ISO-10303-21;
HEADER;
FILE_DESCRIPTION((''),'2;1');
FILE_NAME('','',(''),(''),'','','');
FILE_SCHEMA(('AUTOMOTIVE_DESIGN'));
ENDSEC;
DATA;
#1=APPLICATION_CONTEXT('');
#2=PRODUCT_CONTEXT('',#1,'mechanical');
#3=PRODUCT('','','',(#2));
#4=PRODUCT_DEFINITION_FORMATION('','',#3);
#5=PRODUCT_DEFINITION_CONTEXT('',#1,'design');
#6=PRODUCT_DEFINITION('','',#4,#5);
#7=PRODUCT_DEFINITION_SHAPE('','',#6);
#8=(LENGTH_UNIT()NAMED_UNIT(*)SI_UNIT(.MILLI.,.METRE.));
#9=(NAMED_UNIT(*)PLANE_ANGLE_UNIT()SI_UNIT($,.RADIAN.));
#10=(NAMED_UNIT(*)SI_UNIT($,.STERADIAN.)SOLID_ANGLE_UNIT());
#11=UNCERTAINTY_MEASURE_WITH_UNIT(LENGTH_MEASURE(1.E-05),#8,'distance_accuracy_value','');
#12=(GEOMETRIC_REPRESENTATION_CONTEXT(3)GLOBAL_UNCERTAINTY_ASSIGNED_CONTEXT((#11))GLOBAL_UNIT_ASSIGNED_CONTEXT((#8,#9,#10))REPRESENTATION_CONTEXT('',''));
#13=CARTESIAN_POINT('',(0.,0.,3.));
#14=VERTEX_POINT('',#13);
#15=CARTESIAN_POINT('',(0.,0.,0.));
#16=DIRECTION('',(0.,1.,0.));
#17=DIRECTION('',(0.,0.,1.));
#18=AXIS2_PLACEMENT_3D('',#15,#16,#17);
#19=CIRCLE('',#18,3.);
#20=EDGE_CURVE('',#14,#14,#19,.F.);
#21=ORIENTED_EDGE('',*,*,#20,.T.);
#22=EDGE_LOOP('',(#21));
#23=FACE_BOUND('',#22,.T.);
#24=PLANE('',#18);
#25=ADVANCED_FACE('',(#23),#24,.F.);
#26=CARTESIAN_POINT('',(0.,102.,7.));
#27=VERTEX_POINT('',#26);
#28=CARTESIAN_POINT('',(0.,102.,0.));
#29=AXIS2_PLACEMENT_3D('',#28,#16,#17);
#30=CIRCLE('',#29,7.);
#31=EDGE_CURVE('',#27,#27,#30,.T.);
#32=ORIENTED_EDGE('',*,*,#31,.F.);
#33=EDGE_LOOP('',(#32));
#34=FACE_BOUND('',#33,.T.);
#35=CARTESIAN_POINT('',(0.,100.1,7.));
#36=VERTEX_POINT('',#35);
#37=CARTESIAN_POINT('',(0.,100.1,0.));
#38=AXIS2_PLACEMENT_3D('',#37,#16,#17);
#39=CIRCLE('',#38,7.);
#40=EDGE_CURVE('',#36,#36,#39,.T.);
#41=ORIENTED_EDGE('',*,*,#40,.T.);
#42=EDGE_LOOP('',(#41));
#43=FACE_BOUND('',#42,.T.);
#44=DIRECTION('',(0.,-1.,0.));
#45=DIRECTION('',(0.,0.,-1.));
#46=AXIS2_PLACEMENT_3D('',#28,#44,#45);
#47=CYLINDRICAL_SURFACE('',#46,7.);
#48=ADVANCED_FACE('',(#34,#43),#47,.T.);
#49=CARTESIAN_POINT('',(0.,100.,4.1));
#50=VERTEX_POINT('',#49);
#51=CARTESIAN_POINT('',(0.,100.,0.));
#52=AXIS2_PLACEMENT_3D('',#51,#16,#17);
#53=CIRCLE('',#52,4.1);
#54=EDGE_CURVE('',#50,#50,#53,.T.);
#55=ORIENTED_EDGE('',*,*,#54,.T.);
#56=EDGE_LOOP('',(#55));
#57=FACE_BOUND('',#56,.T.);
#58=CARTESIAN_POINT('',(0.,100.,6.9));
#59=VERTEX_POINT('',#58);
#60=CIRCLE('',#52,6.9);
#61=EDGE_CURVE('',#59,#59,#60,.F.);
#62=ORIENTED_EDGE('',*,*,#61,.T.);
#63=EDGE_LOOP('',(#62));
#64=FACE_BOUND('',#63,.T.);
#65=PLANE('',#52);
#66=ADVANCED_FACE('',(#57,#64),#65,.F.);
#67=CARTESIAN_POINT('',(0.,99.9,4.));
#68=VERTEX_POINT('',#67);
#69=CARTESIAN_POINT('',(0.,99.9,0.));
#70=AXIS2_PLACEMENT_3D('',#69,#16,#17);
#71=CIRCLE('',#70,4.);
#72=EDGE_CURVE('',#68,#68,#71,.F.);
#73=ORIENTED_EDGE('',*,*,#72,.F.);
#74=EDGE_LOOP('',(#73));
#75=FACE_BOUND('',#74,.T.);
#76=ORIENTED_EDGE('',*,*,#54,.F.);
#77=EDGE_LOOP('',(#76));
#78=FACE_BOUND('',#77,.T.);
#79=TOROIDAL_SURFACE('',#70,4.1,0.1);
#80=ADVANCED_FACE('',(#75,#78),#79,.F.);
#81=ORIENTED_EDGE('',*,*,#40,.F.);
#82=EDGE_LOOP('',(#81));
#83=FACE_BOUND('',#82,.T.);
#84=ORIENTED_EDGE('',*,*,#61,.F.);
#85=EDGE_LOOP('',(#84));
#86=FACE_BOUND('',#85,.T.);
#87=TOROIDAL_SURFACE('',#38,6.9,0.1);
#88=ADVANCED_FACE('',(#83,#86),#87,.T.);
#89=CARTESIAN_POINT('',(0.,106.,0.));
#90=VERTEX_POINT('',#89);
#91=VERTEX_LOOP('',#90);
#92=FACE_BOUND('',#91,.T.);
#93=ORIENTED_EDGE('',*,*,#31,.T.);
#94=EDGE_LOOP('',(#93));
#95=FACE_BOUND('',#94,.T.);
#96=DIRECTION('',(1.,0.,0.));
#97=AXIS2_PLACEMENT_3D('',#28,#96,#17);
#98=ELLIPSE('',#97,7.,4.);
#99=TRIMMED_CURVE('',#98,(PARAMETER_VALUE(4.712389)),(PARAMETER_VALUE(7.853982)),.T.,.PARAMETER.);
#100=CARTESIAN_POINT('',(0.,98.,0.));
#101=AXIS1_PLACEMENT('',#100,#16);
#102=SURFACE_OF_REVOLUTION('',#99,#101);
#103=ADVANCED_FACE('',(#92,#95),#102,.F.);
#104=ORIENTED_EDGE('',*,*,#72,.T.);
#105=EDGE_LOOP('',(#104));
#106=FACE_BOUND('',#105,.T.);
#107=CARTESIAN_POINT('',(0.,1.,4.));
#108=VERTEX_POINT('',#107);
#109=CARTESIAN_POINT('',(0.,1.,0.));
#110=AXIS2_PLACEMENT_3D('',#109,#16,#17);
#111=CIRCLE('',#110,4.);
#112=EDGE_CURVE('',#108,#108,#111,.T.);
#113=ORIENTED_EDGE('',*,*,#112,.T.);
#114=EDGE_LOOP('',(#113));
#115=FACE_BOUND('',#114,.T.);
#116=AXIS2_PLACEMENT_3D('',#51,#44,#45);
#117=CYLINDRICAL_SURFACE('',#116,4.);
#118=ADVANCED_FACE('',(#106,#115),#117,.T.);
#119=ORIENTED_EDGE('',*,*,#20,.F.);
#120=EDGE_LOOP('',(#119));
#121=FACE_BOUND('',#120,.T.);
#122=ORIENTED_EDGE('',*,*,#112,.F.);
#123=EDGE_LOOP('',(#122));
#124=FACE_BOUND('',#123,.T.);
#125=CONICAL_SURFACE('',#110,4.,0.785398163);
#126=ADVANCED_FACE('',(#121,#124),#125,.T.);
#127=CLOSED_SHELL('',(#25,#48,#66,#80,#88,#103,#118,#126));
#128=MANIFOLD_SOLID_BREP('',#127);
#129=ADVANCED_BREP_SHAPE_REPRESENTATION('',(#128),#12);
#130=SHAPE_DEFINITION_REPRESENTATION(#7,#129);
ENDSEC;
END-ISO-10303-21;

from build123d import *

# Parameters (mm, degrees)
SKETCH1_R           = 4
BOSS_EXTRUDE1_DEPTH = 100
SKETCH2_R           = 7
BOSS_EXTRUDE2_DEPTH = 2
DOME1_FACE_RADIUS   = 7
DOME1_HEIGHT        = 4
FILLET1_R           = 0.1
CHAMFER1_SIZE       = 1


with BuildPart() as part:
    # Sketch1 → Boss-Extrude1 (new body)
    with BuildSketch(Plane(origin=(0, 0, 0), x_dir=(1, 0, 0), z_dir=(0, 1, 0))):
        Circle(SKETCH1_R)
    extrude(amount=BOSS_EXTRUDE1_DEPTH)

    # Sketch2 → Boss-Extrude2 (add)
    with BuildSketch(Plane(origin=(0, 100, 0), x_dir=(1, 0, 0), z_dir=(0, 1, 0))):
        Circle(SKETCH2_R)
    extrude(amount=BOSS_EXTRUDE2_DEPTH)

    # Dome1: an elliptical dome of height H over a round flat face of radius A is half a spheroid: the quarter ellipse of half axes A and H revolved about the face's axis
    with BuildSketch(Plane((0, 102, 0), x_dir=(0, 0, -1), z_dir=(1, 0, 0)), mode=Mode.PRIVATE) as dome1_quarter:
        Ellipse(DOME1_FACE_RADIUS, DOME1_HEIGHT)
        Rectangle(DOME1_FACE_RADIUS, DOME1_HEIGHT, align=(Align.MIN, Align.MIN), mode=Mode.INTERSECT)
    revolve(dome1_quarter.sketch, axis=Axis((0, 102, 0), (0, 1, 0)))

    # Fillet1
    fillet1_edges = [part.edges().sort_by_distance(p)[0] for p in [
        (-7, 100, 0),
        (-4, 100, 0),
    ]]
    fillet(fillet1_edges, radius=FILLET1_R)

    # Chamfer1
    chamfer1_edges = [part.edges().sort_by_distance(p)[0] for p in [
        (-4, 0, 0),
    ]]
    chamfer(chamfer1_edges, length=CHAMFER1_SIZE)


solid = part.part
